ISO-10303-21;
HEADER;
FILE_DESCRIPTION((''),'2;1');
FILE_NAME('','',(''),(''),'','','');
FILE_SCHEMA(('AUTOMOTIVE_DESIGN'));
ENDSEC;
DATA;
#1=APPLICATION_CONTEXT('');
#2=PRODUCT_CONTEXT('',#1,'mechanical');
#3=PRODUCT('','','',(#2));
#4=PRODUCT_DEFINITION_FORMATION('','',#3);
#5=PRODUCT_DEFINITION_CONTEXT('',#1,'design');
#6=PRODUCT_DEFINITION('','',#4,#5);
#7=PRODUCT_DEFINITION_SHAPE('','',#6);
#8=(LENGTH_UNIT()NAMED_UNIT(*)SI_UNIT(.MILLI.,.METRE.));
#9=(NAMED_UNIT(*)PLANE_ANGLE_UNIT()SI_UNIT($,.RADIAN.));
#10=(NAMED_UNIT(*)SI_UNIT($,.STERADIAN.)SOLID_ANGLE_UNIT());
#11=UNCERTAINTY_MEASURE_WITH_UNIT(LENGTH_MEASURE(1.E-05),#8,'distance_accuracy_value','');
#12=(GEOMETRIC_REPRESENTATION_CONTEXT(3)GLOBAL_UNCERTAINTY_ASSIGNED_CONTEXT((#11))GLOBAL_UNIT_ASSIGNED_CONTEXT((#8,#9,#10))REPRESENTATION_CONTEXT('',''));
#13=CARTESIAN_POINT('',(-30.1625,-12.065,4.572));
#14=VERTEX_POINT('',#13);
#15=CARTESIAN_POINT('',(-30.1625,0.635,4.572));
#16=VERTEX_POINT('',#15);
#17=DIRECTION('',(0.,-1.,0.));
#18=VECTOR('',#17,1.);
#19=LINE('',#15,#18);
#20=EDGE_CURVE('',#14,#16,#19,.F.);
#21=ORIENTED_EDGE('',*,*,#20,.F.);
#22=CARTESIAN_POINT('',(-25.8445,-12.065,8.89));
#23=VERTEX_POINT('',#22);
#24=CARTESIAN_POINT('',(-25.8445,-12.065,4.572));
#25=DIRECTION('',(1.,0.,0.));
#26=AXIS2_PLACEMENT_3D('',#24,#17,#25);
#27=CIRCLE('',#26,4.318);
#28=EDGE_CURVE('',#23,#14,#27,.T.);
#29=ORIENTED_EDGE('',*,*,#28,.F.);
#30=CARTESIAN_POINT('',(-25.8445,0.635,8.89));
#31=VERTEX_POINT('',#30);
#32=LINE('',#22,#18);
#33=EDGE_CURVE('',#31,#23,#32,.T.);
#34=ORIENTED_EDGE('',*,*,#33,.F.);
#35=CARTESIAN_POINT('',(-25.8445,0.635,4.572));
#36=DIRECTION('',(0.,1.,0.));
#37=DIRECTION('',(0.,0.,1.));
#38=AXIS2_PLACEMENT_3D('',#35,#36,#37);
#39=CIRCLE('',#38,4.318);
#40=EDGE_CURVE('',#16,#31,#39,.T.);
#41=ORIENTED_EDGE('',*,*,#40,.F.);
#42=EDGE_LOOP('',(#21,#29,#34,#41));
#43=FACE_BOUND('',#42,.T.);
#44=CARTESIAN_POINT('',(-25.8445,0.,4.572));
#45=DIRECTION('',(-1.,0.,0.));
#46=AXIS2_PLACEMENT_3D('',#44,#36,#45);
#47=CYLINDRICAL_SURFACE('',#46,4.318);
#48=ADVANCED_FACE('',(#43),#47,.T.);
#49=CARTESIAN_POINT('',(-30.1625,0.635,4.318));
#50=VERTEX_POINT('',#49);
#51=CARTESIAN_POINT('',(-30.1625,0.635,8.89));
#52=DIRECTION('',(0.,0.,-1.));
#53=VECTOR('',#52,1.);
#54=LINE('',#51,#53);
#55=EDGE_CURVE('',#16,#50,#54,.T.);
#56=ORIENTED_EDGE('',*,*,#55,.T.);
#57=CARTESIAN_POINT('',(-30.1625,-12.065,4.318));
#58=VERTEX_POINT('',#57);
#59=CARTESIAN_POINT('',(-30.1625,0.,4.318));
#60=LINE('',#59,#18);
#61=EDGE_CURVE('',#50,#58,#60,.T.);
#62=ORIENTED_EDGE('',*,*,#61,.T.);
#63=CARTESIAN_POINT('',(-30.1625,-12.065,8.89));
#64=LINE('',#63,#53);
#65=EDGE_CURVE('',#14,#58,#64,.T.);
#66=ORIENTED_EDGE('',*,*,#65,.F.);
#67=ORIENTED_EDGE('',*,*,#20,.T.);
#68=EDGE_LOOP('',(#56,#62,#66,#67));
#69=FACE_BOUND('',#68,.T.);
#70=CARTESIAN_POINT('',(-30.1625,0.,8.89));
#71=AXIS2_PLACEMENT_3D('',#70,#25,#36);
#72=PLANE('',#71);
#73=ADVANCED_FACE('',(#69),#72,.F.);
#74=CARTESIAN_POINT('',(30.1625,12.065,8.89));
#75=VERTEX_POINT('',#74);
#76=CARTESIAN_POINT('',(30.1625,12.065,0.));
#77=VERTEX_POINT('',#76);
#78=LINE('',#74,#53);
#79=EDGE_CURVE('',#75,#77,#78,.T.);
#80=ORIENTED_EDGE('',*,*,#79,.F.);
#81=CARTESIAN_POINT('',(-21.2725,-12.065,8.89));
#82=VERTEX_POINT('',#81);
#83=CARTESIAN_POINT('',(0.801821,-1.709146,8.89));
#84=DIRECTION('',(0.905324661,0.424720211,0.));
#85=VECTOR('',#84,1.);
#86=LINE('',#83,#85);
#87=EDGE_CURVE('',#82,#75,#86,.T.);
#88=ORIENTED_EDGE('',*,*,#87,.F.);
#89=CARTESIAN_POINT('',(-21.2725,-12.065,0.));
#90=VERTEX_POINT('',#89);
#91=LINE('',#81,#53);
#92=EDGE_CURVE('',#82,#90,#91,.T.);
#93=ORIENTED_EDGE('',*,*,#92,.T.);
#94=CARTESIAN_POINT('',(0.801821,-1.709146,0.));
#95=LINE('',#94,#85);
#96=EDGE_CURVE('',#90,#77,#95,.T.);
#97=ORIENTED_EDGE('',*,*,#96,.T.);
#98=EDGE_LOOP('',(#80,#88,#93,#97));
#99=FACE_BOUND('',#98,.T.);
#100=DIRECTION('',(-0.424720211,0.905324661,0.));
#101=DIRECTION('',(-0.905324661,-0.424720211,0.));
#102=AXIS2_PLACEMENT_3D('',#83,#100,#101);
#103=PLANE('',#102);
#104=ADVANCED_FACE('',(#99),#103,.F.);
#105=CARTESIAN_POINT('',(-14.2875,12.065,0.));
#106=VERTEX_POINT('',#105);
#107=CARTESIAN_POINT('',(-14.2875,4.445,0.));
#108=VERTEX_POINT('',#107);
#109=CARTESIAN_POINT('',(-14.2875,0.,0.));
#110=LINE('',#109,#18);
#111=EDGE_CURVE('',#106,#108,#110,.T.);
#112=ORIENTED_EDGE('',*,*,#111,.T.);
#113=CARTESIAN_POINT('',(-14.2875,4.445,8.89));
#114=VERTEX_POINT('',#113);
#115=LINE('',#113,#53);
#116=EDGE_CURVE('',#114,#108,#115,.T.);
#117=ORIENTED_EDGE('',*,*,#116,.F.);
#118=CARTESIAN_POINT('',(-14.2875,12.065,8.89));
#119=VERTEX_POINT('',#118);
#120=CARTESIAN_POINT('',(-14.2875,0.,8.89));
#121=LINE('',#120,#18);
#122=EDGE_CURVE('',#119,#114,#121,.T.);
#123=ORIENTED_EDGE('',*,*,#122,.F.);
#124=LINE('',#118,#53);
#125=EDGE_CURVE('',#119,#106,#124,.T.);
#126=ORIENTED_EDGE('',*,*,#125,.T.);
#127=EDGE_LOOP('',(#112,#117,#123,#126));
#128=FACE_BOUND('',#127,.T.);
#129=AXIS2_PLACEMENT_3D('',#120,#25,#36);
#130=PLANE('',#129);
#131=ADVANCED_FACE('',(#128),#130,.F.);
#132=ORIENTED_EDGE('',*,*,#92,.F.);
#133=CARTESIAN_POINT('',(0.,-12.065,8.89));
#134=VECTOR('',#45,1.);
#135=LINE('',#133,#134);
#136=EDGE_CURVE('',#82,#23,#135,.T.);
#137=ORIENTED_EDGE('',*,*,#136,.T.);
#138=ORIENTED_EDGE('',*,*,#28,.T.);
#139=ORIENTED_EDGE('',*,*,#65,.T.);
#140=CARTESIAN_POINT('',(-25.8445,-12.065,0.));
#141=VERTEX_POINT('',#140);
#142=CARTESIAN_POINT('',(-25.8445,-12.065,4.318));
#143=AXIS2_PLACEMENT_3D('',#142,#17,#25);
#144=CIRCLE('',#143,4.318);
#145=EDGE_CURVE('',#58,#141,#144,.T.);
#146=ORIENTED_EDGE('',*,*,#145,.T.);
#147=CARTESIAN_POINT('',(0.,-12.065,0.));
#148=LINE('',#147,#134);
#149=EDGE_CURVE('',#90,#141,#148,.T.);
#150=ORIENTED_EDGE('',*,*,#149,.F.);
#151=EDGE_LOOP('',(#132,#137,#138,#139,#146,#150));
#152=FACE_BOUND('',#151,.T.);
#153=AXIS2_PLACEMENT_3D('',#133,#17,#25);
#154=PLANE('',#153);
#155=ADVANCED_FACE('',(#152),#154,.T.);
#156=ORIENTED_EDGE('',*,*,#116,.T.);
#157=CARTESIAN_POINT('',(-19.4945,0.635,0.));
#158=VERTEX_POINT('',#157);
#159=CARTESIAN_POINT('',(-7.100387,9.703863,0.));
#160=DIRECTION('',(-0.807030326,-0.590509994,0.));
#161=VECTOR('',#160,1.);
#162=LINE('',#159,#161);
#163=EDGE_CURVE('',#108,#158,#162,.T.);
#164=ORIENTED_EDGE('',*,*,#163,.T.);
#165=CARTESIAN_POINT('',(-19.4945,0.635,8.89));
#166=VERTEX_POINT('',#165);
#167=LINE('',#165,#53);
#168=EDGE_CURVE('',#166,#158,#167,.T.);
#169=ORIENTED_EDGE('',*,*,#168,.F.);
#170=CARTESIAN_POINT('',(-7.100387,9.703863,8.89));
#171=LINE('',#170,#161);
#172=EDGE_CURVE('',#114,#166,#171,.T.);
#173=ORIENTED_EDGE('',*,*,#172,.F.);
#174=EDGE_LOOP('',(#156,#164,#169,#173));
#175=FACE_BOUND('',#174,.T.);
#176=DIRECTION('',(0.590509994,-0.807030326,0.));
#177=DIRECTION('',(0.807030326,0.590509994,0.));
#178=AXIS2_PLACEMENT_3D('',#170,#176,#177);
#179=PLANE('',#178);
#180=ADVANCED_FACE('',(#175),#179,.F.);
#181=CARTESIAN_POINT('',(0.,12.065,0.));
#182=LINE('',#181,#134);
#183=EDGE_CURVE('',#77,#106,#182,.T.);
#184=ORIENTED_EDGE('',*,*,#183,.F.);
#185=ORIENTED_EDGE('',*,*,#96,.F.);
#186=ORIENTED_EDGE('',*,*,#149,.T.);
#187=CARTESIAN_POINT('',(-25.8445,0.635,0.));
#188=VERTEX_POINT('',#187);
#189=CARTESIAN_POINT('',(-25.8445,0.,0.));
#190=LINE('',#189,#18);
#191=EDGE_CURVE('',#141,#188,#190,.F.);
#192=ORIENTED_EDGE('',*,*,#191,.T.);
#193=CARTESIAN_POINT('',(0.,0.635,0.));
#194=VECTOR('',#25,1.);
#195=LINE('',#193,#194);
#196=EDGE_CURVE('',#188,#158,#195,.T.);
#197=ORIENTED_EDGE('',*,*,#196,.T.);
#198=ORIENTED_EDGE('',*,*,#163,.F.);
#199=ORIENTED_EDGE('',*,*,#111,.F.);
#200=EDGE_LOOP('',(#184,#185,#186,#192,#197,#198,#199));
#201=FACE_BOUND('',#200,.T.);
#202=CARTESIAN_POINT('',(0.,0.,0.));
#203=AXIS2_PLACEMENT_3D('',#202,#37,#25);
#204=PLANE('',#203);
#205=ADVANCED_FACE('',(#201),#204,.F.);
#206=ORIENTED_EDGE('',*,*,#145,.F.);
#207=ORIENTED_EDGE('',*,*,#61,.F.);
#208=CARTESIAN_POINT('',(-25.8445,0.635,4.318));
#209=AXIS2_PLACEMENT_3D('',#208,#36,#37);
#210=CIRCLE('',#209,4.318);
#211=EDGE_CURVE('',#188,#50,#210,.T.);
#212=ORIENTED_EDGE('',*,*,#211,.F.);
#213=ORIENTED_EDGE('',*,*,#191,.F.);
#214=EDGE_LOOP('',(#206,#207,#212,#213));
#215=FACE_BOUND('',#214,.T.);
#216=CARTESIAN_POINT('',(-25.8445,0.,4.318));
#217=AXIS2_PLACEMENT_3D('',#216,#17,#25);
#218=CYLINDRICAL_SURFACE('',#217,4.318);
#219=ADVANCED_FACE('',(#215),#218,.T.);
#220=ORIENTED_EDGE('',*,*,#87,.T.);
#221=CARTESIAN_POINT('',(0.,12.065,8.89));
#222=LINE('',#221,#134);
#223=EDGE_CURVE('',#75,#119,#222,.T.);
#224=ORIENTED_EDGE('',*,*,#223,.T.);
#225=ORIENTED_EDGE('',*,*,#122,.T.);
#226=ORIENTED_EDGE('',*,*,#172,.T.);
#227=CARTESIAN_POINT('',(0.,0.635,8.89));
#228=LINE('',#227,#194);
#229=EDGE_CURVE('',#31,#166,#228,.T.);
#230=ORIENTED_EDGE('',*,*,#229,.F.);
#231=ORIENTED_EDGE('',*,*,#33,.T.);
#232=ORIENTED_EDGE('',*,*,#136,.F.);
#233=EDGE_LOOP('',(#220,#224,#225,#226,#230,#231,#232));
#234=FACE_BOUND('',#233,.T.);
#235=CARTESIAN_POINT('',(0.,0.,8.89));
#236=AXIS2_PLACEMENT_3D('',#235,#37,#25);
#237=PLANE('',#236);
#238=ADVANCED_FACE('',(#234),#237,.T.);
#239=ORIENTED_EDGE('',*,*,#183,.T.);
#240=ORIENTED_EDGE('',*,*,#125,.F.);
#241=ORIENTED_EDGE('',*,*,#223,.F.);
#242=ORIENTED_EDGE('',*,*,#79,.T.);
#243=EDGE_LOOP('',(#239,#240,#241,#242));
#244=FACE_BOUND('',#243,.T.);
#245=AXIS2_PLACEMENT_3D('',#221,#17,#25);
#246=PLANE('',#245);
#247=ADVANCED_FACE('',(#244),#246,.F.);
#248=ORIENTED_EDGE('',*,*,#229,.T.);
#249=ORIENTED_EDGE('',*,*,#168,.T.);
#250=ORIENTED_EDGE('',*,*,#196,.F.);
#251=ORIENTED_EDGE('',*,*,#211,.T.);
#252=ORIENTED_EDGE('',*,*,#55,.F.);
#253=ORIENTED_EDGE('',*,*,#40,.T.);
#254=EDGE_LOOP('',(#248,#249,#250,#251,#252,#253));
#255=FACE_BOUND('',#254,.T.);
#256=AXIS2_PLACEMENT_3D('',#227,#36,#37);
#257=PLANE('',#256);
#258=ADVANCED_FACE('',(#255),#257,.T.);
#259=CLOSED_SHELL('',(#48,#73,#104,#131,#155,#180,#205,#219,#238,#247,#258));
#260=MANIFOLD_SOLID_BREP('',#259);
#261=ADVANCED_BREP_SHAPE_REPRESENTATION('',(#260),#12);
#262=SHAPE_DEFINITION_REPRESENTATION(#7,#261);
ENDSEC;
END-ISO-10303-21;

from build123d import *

# Parameters (mm, degrees)
BOSS_EXTRUDE1_DEPTH = 8.89
FILLET1_R           = 4.318


with BuildPart() as part:
    # Sketch1 → Boss-Extrude1 (new body)
    with BuildSketch(Plane.XY):
        Polygon((-19.4945, 0.635), (-30.1625, 0.635), (-30.1625, -12.065), (-21.2725, -12.065), (30.1625, 12.065), (-14.2875, 12.065), (-14.2875, 4.445), align=None)
    extrude(amount=BOSS_EXTRUDE1_DEPTH)

    # Fillet1
    fillet1_edges = [part.edges().sort_by_distance(p)[0] for p in [
        (-30.1625, -5.715, 8.89),
        (-30.1625, -5.715, 0),
    ]]
    fillet(fillet1_edges, radius=FILLET1_R)


solid = part.part
